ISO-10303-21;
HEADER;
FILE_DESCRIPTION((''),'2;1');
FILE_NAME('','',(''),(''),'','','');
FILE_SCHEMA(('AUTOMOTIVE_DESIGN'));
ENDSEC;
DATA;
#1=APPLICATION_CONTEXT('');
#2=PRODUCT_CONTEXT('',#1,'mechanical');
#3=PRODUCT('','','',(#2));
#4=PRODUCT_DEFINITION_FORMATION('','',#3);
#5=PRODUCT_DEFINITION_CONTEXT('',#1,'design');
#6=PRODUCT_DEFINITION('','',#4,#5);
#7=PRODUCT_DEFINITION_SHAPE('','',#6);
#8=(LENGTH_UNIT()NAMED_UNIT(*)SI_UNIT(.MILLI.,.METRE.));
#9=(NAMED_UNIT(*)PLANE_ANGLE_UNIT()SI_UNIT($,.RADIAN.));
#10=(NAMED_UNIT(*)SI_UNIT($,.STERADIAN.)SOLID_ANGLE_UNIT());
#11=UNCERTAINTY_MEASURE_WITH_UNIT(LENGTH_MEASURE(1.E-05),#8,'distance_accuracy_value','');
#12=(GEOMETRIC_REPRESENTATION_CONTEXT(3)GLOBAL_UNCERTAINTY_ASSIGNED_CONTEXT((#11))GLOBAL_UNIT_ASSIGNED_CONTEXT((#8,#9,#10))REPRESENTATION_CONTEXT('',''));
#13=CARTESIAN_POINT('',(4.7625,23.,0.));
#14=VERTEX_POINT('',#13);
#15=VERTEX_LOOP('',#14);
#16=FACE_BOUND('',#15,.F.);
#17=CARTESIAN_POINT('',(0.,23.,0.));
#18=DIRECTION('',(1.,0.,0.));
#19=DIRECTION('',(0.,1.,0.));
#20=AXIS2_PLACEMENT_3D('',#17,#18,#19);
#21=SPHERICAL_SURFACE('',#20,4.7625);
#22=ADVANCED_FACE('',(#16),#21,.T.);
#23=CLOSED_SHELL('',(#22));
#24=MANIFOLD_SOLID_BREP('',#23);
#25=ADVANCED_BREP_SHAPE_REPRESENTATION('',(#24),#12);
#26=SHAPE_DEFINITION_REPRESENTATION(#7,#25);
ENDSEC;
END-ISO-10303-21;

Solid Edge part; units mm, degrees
sketch "Sketch1" plane through (0, 0, 0) normal (0, 0, 1) x (1, 0, 0)
  arc A0 (-4.7625, 23) -> (4.7625, 23) centre (0, 23) cw
  line L0 (4.7625, 23) -> (-4.7625, 23)
revolve "RevolvedProtrusion1" add sketch "Sketch1" angle 360 about axis through (4.7625, 23, 0) along (-1, 0, 0)
properties part number "30-62-23.8-18-ybrg2-1459.525-46-b"
